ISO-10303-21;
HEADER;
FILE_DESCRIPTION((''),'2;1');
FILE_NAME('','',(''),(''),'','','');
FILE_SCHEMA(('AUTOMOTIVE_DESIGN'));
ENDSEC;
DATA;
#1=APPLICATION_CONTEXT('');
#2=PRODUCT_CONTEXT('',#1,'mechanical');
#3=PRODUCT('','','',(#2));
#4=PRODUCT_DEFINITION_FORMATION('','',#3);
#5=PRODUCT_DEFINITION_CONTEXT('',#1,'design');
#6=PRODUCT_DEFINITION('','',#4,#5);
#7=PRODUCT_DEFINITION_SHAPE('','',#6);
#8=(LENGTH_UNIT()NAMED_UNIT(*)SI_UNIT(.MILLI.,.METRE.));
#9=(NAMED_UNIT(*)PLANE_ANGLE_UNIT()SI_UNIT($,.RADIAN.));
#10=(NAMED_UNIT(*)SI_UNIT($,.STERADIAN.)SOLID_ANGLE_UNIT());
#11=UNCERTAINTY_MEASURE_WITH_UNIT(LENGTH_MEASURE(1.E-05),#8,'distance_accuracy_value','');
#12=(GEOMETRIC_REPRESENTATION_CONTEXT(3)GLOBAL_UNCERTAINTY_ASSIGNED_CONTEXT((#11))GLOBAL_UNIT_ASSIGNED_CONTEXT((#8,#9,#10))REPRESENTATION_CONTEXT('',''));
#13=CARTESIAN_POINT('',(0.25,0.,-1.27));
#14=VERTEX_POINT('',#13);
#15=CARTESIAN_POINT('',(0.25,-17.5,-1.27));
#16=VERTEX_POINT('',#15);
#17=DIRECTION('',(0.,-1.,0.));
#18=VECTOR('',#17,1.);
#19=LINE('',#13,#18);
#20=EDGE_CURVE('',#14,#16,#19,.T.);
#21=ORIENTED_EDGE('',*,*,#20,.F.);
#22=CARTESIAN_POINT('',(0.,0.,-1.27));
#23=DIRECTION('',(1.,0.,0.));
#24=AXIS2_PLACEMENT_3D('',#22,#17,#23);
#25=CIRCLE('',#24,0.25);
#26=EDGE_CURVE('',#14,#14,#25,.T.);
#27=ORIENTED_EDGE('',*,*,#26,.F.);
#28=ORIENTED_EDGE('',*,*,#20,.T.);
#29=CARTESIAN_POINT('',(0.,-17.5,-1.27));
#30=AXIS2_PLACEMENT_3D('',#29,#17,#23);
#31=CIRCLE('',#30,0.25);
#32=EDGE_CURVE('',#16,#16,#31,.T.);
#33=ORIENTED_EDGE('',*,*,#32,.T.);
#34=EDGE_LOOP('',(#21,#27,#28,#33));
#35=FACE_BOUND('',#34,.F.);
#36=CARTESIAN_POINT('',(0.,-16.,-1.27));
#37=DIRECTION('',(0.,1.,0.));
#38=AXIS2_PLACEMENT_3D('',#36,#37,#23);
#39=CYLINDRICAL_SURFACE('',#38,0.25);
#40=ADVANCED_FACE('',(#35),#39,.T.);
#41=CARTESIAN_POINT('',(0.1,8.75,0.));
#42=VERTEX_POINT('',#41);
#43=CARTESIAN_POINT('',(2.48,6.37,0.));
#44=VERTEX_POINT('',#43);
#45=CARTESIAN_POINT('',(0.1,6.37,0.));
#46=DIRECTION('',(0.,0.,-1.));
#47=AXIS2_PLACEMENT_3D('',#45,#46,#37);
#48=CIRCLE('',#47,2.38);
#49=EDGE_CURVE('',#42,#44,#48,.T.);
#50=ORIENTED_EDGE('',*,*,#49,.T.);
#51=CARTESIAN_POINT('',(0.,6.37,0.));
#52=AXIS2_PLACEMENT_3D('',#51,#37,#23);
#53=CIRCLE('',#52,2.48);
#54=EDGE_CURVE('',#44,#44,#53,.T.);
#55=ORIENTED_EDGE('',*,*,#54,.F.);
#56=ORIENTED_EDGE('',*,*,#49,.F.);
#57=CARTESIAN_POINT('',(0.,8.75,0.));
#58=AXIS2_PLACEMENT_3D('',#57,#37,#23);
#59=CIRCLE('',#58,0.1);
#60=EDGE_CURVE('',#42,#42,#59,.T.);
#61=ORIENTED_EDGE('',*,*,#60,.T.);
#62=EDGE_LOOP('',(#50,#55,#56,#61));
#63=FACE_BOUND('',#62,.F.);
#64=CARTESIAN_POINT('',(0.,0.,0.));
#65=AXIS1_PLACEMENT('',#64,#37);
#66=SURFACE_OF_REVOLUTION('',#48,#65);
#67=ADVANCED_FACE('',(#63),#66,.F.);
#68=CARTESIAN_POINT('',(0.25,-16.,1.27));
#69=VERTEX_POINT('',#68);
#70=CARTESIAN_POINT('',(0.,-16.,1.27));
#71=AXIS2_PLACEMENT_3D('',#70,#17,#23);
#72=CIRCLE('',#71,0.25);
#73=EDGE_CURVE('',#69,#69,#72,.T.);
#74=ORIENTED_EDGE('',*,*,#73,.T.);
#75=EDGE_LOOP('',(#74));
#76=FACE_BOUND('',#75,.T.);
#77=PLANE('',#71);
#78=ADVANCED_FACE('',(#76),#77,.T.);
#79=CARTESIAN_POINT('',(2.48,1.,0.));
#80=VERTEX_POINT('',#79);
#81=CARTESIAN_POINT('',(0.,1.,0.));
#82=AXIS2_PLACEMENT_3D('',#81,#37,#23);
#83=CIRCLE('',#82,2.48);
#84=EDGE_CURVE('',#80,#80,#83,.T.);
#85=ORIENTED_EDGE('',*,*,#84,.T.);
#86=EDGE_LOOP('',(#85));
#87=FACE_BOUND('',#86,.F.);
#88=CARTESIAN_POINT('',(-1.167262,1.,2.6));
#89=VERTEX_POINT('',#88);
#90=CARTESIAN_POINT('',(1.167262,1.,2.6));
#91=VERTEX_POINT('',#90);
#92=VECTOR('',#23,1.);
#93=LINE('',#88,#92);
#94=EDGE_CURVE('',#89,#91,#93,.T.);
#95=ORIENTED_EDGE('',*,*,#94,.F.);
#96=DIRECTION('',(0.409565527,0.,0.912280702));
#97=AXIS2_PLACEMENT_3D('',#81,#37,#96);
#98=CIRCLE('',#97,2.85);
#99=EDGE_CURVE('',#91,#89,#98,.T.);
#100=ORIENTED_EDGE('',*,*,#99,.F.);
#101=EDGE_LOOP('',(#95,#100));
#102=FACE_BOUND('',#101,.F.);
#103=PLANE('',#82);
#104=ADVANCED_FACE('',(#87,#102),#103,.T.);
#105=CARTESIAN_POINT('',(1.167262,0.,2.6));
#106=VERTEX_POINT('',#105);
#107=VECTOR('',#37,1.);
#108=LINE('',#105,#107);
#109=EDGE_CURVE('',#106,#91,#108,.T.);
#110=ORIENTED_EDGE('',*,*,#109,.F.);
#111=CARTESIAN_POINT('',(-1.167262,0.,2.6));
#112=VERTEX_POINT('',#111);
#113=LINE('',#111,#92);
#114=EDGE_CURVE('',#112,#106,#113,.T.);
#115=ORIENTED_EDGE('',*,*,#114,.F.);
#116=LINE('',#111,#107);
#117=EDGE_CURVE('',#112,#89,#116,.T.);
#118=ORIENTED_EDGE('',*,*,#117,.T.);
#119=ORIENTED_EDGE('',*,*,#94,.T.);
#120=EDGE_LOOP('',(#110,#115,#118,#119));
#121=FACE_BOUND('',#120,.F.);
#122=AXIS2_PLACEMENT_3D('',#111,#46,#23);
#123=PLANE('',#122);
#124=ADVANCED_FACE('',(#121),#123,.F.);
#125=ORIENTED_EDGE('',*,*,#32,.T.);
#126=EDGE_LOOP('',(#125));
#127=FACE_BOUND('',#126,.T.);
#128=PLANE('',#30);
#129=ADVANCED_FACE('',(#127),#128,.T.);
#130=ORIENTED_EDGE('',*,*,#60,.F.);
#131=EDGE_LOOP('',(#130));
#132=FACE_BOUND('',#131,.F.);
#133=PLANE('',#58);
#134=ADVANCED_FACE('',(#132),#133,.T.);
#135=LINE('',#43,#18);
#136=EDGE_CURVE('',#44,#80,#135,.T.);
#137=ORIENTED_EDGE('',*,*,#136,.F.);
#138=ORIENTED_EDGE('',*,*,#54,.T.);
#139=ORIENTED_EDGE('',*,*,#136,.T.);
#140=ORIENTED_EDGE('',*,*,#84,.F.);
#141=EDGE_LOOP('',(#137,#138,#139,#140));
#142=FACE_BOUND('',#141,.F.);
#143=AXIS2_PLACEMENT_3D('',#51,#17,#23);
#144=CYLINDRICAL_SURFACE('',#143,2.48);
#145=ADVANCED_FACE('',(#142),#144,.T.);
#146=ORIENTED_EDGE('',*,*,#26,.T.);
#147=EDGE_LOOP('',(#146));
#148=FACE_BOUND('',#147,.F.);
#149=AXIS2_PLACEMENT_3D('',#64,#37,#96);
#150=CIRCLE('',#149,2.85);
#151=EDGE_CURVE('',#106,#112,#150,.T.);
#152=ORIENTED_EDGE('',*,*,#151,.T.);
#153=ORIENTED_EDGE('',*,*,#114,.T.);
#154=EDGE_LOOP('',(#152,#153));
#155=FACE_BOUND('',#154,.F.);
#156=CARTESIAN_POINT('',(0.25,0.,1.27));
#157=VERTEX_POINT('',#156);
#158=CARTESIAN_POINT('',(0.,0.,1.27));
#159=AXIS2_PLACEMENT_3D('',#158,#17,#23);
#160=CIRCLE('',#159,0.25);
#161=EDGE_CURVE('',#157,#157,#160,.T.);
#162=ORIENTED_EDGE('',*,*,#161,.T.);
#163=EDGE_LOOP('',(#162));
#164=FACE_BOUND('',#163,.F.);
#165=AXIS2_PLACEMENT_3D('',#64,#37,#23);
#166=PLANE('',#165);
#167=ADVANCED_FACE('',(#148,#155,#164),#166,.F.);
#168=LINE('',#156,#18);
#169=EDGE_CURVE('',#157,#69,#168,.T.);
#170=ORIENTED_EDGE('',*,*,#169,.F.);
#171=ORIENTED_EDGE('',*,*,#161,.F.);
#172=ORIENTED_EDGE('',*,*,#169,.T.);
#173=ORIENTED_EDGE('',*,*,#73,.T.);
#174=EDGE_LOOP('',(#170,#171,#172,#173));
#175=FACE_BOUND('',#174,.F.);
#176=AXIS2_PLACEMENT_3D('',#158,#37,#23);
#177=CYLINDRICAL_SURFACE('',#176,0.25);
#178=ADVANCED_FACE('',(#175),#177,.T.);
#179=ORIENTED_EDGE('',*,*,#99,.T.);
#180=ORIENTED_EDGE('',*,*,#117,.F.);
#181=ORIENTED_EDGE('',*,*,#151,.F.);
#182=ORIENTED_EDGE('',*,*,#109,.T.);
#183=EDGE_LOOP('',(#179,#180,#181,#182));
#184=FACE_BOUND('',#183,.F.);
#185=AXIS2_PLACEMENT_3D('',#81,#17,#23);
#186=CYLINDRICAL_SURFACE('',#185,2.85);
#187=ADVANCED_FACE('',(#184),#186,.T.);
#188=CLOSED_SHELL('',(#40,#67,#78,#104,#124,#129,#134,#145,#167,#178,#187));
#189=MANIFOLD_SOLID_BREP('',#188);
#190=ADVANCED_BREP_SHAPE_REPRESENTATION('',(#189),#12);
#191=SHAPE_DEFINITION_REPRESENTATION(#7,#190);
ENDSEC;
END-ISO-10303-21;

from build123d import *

# Parameters (mm, degrees)
CUT_EXTRUDE1_DEPTH  = 1
SKETCH3_R           = 0.25
BOSS_EXTRUDE1_DEPTH = 16
SKETCH4_R           = 0.25
BOSS_EXTRUDE2_DEPTH = 1.5


with BuildPart() as part:
    # Sketch1 → Revolve1 (revolve)
    with BuildSketch(Plane.XY):
        with BuildLine():
            Line((0, 0), (0, 8.75))
            Line((0, 8.75), (0.1, 8.75))
            ThreePointArc((0.1, 8.75), (1.782914139, 8.052914139), (2.48, 6.37))
            Line((2.48, 6.37), (2.48, 1))
            Line((2.48, 1), (2.85, 1))
            Line((2.85, 1), (2.85, 0))
            Line((2.85, 0), (0, 0))
        make_face()
    revolve(axis=Axis((0, 0, 0), (0, 1, 0)))

    # Sketch2 → Cut-Extrude1 (cut)
    with BuildSketch(Plane.XZ):
        with BuildLine():
            Line((-1.167261753, 2.6), (1.167261753, 2.6))
            ThreePointArc((1.167261753, 2.6), (0, 2.85), (-1.167261753, 2.6))
        make_face()
    extrude(amount=-CUT_EXTRUDE1_DEPTH, mode=Mode.SUBTRACT)

    # Sketch3 → Boss-Extrude1 (add)
    with BuildSketch(Plane.XZ):
        with Locations((0, -1.27)):
            Circle(SKETCH3_R)
        with Locations((0, 1.27)):
            Circle(SKETCH3_R)
    extrude(amount=BOSS_EXTRUDE1_DEPTH)

    # Sketch4 → Boss-Extrude2 (add)
    with BuildSketch(Plane.XZ.offset(16)):
        with Locations((0, -1.27)):
            Circle(SKETCH4_R)
    extrude(amount=BOSS_EXTRUDE2_DEPTH)


solid = part.part
